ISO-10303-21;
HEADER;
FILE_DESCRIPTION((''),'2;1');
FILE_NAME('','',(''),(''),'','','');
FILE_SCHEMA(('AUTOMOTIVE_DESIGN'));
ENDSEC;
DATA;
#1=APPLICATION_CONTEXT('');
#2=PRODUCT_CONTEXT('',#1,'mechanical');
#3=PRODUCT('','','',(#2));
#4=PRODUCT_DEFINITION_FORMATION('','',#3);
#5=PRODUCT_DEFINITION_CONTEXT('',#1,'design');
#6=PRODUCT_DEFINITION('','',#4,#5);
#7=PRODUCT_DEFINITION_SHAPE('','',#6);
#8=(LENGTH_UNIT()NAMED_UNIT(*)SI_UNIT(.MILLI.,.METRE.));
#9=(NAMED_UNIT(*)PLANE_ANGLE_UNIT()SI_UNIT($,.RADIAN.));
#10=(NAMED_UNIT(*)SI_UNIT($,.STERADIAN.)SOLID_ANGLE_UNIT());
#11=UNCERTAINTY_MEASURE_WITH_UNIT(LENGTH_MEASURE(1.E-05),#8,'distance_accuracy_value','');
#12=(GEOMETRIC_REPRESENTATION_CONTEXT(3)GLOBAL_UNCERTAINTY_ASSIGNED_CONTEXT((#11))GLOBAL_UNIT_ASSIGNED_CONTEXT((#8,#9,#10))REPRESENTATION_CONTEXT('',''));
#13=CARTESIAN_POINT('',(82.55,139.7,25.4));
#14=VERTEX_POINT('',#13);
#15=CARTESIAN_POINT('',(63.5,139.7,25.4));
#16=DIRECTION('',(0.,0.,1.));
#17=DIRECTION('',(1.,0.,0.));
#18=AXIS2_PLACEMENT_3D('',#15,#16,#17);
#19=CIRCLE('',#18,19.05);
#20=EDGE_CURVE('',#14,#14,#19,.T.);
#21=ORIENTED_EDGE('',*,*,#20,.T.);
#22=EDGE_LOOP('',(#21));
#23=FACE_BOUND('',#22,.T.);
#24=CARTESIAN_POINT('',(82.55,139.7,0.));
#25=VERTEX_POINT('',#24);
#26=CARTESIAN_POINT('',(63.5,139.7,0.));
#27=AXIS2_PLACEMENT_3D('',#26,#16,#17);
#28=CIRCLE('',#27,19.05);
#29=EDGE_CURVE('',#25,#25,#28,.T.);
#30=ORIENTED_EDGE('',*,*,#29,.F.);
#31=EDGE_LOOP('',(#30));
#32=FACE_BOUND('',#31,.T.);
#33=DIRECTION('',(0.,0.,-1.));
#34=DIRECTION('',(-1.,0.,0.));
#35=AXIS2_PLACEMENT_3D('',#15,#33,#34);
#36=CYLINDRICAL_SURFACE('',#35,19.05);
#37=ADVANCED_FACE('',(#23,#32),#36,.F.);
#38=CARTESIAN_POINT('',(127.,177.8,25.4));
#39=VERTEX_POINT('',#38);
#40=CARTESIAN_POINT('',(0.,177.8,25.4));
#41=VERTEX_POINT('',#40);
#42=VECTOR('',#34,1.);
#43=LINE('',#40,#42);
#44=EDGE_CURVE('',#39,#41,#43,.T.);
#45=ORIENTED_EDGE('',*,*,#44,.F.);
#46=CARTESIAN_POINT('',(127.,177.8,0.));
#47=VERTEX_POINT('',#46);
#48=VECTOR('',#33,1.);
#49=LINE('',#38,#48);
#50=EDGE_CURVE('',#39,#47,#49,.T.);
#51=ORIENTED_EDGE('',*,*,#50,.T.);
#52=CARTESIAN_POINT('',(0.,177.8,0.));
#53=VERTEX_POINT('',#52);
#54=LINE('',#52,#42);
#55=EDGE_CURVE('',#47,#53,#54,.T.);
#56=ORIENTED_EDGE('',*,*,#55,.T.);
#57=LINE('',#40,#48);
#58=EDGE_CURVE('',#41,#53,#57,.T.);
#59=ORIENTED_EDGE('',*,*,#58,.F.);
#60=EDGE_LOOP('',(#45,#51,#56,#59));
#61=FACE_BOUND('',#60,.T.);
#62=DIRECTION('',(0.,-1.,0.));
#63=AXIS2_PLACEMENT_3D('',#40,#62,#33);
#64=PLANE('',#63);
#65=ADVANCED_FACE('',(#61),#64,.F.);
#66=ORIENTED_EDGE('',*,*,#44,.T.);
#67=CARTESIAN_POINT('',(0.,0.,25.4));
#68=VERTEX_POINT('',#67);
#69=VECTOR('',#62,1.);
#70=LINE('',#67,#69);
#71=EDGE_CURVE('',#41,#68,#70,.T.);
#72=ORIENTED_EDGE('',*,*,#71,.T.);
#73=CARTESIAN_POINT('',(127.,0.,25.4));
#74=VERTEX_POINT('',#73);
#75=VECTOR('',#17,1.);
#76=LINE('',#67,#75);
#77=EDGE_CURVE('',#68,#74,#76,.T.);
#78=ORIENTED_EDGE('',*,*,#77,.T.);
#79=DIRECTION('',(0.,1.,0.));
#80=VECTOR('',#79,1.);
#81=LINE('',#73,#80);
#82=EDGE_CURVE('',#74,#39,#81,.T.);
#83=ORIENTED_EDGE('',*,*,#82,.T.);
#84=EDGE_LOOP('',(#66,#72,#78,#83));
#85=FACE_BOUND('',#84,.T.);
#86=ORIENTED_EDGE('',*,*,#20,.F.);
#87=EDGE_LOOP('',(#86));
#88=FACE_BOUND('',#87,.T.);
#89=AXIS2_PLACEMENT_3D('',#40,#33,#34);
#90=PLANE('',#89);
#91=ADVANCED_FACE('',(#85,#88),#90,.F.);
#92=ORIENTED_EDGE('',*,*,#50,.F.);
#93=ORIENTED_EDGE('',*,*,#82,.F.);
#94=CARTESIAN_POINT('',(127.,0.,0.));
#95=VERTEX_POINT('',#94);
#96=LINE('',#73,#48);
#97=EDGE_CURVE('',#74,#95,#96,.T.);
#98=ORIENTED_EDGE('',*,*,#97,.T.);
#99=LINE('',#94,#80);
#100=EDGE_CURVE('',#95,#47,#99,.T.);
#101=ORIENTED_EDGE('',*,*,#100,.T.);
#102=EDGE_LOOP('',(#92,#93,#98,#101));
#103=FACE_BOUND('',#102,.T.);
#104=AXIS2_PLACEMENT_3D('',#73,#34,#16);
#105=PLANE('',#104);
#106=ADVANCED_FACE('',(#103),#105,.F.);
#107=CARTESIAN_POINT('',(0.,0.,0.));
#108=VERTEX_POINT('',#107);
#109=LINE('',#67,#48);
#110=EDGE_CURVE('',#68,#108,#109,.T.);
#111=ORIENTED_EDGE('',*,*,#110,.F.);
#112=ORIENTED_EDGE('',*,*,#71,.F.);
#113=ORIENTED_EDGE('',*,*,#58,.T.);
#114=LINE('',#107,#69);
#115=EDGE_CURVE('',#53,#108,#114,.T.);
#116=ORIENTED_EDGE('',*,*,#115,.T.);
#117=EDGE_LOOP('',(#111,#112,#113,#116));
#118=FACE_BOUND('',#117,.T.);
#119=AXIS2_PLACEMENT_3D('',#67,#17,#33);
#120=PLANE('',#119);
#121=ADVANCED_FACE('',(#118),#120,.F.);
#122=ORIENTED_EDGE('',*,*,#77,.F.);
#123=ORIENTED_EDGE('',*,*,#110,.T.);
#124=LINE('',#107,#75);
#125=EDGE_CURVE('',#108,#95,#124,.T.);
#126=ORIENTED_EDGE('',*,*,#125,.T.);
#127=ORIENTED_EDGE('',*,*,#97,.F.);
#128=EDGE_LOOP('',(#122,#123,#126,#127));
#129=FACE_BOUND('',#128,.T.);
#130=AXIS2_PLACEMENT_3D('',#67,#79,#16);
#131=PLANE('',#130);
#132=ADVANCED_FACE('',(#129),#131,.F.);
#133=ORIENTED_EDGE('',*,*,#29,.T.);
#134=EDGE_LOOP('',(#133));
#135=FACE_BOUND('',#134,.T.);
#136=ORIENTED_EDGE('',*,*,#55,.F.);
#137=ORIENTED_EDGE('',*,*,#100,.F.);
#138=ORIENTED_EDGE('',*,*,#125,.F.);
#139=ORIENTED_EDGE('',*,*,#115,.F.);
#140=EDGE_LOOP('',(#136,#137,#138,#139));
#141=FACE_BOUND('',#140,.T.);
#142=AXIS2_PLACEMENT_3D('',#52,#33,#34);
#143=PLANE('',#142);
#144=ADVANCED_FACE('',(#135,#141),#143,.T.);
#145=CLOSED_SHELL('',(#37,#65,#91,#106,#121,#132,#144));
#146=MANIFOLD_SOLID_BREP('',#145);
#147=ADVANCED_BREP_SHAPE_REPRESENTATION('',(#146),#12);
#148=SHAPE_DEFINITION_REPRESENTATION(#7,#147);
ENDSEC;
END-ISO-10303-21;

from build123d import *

# Parameters (mm, degrees)
SKETCH1_W          = 127
SKETCH1_H          = 177.8
SKETCH1_R          = 19.05
BASE_EXTRUDE_DEPTH = 25.4


with BuildPart() as part:
    # Sketch1 → Base-Extrude (new body)
    with BuildSketch(Plane.XY):
        with Locations((63.5, 88.9)):
            Rectangle(SKETCH1_W, SKETCH1_H)
        with Locations((63.5, 139.7)):
            Circle(SKETCH1_R, mode=Mode.SUBTRACT)
    extrude(amount=BASE_EXTRUDE_DEPTH)


solid = part.part
